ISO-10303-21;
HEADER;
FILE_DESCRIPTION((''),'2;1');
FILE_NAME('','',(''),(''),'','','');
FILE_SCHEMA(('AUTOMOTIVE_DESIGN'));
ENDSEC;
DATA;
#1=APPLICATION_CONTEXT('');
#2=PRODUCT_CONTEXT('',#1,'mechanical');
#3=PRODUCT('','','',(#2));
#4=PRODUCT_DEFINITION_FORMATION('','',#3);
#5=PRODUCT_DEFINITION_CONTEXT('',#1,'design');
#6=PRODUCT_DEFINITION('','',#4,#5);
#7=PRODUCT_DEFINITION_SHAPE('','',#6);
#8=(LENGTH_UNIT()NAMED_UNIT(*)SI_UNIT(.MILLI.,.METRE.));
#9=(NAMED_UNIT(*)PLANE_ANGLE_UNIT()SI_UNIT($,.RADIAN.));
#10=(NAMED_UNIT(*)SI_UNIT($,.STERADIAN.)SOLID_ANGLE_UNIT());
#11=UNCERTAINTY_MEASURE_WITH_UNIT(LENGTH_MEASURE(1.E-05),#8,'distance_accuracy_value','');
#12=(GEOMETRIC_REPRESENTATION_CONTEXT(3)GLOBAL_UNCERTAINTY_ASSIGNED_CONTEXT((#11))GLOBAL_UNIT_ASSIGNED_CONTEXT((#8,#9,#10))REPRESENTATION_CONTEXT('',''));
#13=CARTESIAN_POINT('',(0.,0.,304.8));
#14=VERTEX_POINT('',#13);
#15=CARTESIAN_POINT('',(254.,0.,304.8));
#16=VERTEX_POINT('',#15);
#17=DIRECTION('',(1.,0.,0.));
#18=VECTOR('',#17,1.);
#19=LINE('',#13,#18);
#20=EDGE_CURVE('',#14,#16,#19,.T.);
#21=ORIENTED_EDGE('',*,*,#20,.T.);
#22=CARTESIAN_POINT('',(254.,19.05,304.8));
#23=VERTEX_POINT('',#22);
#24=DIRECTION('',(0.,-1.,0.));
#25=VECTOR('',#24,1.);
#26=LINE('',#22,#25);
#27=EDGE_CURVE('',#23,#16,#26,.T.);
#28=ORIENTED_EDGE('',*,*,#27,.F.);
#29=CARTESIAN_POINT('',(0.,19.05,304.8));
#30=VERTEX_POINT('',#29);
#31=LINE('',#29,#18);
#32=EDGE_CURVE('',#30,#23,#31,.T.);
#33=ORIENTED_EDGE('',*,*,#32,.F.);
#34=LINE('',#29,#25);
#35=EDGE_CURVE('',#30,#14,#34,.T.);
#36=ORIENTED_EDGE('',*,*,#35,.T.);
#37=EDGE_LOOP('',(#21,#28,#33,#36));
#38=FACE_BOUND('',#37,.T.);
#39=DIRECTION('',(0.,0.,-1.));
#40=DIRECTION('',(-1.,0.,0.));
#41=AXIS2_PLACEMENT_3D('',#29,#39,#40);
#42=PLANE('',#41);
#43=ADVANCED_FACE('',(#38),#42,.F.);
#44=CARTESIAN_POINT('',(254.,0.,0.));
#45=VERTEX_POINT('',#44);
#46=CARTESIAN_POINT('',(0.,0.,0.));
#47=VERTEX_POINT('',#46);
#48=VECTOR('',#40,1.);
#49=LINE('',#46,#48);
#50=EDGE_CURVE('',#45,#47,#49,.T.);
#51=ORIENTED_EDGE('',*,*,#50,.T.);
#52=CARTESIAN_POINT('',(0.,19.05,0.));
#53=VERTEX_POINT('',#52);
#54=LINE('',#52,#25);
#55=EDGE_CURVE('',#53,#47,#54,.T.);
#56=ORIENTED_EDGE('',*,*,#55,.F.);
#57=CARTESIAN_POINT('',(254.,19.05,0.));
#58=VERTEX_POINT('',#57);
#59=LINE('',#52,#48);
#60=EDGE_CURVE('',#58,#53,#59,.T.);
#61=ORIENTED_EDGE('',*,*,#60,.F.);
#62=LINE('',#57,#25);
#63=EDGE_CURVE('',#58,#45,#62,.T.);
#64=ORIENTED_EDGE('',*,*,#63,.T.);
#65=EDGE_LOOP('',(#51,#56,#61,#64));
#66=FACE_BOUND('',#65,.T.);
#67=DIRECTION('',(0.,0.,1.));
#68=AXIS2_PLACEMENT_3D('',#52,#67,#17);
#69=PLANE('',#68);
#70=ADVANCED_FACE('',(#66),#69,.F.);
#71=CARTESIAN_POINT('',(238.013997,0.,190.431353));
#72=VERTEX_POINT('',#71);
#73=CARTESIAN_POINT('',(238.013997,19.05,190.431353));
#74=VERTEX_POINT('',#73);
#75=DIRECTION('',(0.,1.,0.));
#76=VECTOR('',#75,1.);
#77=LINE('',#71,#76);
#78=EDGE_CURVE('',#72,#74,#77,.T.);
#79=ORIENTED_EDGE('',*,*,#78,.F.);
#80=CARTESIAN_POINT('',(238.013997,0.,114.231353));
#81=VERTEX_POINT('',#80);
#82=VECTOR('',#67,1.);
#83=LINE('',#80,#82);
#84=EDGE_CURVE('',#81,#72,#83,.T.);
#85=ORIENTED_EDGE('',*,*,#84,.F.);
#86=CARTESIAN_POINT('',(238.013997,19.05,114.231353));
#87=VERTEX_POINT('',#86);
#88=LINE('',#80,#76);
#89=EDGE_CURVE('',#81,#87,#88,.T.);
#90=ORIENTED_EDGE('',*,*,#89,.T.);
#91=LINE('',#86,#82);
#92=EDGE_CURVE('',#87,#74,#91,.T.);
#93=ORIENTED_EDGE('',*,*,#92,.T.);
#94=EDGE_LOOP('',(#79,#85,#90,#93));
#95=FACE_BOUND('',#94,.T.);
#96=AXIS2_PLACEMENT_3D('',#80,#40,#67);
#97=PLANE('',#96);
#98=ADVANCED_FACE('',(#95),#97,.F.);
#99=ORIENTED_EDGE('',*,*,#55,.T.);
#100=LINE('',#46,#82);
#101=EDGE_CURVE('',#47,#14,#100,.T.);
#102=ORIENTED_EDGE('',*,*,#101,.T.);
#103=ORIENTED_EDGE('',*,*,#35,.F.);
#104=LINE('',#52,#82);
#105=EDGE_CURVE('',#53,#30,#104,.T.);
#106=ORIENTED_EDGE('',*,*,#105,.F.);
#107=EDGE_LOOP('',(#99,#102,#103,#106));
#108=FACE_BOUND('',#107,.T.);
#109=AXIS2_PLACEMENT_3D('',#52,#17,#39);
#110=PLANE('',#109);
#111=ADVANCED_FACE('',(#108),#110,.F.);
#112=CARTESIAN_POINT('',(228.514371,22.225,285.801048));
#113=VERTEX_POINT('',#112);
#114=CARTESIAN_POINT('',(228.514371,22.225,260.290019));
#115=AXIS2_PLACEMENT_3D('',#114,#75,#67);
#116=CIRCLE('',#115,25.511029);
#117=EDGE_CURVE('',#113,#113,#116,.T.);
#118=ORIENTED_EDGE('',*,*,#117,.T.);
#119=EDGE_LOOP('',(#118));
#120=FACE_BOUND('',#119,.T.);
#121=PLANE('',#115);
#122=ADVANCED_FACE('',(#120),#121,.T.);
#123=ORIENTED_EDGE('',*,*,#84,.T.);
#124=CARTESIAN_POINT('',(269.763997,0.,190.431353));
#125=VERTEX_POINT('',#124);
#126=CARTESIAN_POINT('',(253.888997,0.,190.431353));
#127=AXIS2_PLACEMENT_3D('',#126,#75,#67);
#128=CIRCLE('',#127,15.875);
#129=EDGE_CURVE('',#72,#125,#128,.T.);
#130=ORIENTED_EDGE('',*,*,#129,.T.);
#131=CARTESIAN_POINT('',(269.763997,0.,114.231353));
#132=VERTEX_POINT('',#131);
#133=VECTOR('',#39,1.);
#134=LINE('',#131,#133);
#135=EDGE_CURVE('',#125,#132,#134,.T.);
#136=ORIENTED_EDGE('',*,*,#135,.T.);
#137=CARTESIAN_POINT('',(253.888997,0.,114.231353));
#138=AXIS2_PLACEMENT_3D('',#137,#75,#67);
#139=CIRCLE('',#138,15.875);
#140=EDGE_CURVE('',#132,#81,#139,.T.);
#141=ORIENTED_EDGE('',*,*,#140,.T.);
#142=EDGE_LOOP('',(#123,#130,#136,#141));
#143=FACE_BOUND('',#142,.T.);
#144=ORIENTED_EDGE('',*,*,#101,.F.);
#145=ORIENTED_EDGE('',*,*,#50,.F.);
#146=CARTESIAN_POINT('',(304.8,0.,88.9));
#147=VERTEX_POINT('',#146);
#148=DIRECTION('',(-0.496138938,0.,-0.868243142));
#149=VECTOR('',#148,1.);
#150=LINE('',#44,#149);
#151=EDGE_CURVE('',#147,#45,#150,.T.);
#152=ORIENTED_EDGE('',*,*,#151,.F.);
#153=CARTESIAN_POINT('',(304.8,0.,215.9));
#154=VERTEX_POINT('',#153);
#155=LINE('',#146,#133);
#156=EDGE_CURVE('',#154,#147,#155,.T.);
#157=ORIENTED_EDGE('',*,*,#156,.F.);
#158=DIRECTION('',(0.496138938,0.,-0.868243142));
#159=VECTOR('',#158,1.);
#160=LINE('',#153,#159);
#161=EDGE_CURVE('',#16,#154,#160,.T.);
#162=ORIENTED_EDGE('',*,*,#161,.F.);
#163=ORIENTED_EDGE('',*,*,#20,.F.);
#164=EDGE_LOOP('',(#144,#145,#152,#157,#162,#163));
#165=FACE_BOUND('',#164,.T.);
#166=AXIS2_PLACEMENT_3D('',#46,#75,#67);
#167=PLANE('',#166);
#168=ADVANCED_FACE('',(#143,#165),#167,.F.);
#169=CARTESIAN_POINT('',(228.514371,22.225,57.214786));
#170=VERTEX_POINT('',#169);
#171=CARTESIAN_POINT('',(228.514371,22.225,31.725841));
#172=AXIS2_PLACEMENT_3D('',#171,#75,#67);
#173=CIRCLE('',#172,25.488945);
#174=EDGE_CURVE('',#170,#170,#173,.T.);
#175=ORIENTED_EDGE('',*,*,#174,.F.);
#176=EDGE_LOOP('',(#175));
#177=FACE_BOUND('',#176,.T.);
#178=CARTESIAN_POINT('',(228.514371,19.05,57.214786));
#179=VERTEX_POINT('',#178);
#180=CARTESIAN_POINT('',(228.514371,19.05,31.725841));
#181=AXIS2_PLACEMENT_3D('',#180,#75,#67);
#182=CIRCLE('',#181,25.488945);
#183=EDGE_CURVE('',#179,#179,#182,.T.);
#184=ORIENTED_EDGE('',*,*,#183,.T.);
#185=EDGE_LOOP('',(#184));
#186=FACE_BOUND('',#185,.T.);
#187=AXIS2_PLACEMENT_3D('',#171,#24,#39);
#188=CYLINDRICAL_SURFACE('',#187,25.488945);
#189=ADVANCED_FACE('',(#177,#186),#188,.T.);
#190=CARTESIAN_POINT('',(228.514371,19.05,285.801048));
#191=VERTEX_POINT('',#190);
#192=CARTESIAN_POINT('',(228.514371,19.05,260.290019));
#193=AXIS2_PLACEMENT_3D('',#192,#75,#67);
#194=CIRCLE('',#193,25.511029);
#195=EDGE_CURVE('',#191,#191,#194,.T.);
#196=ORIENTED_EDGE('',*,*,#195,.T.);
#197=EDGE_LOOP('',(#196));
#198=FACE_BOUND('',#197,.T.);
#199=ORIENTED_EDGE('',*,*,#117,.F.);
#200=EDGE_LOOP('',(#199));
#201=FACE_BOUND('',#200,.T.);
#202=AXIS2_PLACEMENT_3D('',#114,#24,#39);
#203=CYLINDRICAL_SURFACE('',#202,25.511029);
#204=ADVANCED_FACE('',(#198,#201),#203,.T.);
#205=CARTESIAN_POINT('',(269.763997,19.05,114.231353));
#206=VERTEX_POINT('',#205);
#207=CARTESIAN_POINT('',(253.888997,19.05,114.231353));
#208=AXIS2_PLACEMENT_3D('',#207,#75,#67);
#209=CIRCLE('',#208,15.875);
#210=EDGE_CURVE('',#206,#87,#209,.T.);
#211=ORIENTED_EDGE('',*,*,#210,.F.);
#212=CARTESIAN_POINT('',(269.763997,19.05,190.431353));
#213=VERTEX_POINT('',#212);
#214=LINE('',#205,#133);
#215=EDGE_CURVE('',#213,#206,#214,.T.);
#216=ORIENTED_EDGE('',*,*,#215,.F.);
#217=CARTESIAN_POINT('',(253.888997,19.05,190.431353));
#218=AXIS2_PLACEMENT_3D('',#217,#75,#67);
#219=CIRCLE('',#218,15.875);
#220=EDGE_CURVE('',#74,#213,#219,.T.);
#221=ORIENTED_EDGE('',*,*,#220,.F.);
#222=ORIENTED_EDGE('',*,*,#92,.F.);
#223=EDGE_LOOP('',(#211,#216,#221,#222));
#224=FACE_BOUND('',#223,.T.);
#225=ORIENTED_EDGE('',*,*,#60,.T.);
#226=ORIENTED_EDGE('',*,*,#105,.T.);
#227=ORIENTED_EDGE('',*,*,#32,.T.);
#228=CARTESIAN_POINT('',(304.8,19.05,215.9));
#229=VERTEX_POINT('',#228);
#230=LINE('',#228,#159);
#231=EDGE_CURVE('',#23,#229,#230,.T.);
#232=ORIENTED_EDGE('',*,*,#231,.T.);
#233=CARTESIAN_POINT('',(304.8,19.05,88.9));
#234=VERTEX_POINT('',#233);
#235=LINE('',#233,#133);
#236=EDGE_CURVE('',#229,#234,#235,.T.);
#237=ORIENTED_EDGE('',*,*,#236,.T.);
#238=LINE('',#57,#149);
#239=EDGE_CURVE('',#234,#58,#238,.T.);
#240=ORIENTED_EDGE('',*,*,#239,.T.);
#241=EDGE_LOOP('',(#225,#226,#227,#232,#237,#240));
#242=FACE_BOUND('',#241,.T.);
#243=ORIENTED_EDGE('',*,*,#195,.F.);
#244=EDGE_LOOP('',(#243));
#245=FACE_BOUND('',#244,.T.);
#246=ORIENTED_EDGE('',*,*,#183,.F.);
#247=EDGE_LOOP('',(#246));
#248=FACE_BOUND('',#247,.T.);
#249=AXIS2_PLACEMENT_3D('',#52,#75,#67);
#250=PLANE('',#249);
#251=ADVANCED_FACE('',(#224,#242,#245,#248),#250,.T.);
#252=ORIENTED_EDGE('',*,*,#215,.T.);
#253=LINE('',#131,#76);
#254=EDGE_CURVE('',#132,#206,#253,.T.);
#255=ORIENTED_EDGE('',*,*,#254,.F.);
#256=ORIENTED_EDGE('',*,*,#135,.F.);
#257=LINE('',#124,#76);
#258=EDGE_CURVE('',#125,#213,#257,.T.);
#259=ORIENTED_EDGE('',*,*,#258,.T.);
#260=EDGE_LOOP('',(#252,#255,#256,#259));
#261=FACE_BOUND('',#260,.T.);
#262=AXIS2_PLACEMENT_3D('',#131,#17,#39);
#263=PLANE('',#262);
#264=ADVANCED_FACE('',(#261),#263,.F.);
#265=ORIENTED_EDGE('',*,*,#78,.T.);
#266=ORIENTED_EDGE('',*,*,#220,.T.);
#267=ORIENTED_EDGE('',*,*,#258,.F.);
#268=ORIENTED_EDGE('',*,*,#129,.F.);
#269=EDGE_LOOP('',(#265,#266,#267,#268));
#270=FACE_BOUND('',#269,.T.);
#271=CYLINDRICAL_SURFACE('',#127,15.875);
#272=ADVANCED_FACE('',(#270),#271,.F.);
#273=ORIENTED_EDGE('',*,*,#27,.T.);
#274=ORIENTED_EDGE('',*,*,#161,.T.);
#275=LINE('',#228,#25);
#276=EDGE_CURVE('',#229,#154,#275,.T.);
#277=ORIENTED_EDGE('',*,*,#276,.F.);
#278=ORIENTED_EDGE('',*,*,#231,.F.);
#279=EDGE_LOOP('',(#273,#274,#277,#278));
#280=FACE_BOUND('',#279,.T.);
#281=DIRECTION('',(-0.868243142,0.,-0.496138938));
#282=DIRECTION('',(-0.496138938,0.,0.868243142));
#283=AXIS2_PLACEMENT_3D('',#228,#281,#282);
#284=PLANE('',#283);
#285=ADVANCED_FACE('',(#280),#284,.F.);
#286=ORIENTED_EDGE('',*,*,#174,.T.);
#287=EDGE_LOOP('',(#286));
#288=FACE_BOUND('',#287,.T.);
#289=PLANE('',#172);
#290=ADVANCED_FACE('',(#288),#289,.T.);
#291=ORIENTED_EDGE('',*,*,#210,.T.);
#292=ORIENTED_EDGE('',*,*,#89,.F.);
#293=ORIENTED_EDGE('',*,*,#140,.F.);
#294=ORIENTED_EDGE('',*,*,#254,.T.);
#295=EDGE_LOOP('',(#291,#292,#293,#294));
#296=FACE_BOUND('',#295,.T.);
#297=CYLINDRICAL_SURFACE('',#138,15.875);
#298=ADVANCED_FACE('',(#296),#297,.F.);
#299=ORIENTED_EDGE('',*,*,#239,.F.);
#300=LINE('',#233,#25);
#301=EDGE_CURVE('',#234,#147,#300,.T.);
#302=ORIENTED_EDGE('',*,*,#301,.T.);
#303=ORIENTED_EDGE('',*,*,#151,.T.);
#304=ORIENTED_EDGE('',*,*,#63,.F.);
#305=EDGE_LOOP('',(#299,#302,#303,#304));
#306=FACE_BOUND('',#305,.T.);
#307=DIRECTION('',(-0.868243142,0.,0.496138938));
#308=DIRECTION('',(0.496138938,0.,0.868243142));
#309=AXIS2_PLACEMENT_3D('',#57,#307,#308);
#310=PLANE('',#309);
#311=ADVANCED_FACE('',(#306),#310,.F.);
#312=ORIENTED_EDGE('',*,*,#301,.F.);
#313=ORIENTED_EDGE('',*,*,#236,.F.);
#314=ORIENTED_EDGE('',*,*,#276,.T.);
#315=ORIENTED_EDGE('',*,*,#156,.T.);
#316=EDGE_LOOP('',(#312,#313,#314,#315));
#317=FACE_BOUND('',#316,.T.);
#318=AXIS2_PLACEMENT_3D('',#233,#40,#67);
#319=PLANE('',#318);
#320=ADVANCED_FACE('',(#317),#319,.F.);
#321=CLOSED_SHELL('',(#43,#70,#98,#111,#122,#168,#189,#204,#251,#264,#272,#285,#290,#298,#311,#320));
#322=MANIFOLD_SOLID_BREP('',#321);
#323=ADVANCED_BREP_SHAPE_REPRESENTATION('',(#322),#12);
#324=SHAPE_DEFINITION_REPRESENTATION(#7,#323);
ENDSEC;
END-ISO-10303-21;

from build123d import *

# Parameters (mm, degrees)
BOSS_EXTRUDE1_DEPTH = 19.05
SKETCH4_R           = 25.488945224
SKETCH4_R_2         = 25.511029354
BOSS_EXTRUDE2_DEPTH = 3.175
CUT_EXTRUDE1_DEPTH  = 19.05


with BuildPart() as part:
    # Sketch3 → Boss-Extrude1 (new body)
    with BuildSketch(Plane(origin=(0, 0, 0), x_dir=(1, 0, 0), z_dir=(0, 1, 0))):
        Polygon((0, 0), (254, 0), (304.8, -88.9), (304.8, -215.9), (254, -304.8), (0, -304.8), align=None)
    extrude(amount=BOSS_EXTRUDE1_DEPTH)

    # Sketch4 → Boss-Extrude2 (add)
    with BuildSketch(Plane(origin=(0, 19.05, 0), x_dir=(1, 0, 0), z_dir=(0, 1, 0))):
        with Locations(Location((228.514370998, -31.725840718, 0), (0, 0, 270))):
            Circle(SKETCH4_R)
        with Locations(Location((228.514370998, -260.290019102, 0), (0, 0, 270))):
            Circle(SKETCH4_R_2)
    extrude(amount=BOSS_EXTRUDE2_DEPTH)

    # Sketch5 → Cut-Extrude1 (cut)
    with BuildSketch(Plane(origin=(0, 19.05, 0), x_dir=(1, 0, 0), z_dir=(0, 1, 0))):
        with BuildLine():
            Line((269.763997266, -114.231353373), (269.763997266, -190.431353373))
            ThreePointArc((269.763997266, -190.431353373), (253.888997266, -206.306353373), (238.013997266, -190.431353373))
            Line((238.013997266, -190.431353373), (238.013997266, -114.231353373))
            ThreePointArc((238.013997266, -114.231353373), (253.888997266, -98.356353373), (269.763997266, -114.231353373))
        make_face()
    extrude(amount=-CUT_EXTRUDE1_DEPTH, mode=Mode.SUBTRACT)


solid = part.part
